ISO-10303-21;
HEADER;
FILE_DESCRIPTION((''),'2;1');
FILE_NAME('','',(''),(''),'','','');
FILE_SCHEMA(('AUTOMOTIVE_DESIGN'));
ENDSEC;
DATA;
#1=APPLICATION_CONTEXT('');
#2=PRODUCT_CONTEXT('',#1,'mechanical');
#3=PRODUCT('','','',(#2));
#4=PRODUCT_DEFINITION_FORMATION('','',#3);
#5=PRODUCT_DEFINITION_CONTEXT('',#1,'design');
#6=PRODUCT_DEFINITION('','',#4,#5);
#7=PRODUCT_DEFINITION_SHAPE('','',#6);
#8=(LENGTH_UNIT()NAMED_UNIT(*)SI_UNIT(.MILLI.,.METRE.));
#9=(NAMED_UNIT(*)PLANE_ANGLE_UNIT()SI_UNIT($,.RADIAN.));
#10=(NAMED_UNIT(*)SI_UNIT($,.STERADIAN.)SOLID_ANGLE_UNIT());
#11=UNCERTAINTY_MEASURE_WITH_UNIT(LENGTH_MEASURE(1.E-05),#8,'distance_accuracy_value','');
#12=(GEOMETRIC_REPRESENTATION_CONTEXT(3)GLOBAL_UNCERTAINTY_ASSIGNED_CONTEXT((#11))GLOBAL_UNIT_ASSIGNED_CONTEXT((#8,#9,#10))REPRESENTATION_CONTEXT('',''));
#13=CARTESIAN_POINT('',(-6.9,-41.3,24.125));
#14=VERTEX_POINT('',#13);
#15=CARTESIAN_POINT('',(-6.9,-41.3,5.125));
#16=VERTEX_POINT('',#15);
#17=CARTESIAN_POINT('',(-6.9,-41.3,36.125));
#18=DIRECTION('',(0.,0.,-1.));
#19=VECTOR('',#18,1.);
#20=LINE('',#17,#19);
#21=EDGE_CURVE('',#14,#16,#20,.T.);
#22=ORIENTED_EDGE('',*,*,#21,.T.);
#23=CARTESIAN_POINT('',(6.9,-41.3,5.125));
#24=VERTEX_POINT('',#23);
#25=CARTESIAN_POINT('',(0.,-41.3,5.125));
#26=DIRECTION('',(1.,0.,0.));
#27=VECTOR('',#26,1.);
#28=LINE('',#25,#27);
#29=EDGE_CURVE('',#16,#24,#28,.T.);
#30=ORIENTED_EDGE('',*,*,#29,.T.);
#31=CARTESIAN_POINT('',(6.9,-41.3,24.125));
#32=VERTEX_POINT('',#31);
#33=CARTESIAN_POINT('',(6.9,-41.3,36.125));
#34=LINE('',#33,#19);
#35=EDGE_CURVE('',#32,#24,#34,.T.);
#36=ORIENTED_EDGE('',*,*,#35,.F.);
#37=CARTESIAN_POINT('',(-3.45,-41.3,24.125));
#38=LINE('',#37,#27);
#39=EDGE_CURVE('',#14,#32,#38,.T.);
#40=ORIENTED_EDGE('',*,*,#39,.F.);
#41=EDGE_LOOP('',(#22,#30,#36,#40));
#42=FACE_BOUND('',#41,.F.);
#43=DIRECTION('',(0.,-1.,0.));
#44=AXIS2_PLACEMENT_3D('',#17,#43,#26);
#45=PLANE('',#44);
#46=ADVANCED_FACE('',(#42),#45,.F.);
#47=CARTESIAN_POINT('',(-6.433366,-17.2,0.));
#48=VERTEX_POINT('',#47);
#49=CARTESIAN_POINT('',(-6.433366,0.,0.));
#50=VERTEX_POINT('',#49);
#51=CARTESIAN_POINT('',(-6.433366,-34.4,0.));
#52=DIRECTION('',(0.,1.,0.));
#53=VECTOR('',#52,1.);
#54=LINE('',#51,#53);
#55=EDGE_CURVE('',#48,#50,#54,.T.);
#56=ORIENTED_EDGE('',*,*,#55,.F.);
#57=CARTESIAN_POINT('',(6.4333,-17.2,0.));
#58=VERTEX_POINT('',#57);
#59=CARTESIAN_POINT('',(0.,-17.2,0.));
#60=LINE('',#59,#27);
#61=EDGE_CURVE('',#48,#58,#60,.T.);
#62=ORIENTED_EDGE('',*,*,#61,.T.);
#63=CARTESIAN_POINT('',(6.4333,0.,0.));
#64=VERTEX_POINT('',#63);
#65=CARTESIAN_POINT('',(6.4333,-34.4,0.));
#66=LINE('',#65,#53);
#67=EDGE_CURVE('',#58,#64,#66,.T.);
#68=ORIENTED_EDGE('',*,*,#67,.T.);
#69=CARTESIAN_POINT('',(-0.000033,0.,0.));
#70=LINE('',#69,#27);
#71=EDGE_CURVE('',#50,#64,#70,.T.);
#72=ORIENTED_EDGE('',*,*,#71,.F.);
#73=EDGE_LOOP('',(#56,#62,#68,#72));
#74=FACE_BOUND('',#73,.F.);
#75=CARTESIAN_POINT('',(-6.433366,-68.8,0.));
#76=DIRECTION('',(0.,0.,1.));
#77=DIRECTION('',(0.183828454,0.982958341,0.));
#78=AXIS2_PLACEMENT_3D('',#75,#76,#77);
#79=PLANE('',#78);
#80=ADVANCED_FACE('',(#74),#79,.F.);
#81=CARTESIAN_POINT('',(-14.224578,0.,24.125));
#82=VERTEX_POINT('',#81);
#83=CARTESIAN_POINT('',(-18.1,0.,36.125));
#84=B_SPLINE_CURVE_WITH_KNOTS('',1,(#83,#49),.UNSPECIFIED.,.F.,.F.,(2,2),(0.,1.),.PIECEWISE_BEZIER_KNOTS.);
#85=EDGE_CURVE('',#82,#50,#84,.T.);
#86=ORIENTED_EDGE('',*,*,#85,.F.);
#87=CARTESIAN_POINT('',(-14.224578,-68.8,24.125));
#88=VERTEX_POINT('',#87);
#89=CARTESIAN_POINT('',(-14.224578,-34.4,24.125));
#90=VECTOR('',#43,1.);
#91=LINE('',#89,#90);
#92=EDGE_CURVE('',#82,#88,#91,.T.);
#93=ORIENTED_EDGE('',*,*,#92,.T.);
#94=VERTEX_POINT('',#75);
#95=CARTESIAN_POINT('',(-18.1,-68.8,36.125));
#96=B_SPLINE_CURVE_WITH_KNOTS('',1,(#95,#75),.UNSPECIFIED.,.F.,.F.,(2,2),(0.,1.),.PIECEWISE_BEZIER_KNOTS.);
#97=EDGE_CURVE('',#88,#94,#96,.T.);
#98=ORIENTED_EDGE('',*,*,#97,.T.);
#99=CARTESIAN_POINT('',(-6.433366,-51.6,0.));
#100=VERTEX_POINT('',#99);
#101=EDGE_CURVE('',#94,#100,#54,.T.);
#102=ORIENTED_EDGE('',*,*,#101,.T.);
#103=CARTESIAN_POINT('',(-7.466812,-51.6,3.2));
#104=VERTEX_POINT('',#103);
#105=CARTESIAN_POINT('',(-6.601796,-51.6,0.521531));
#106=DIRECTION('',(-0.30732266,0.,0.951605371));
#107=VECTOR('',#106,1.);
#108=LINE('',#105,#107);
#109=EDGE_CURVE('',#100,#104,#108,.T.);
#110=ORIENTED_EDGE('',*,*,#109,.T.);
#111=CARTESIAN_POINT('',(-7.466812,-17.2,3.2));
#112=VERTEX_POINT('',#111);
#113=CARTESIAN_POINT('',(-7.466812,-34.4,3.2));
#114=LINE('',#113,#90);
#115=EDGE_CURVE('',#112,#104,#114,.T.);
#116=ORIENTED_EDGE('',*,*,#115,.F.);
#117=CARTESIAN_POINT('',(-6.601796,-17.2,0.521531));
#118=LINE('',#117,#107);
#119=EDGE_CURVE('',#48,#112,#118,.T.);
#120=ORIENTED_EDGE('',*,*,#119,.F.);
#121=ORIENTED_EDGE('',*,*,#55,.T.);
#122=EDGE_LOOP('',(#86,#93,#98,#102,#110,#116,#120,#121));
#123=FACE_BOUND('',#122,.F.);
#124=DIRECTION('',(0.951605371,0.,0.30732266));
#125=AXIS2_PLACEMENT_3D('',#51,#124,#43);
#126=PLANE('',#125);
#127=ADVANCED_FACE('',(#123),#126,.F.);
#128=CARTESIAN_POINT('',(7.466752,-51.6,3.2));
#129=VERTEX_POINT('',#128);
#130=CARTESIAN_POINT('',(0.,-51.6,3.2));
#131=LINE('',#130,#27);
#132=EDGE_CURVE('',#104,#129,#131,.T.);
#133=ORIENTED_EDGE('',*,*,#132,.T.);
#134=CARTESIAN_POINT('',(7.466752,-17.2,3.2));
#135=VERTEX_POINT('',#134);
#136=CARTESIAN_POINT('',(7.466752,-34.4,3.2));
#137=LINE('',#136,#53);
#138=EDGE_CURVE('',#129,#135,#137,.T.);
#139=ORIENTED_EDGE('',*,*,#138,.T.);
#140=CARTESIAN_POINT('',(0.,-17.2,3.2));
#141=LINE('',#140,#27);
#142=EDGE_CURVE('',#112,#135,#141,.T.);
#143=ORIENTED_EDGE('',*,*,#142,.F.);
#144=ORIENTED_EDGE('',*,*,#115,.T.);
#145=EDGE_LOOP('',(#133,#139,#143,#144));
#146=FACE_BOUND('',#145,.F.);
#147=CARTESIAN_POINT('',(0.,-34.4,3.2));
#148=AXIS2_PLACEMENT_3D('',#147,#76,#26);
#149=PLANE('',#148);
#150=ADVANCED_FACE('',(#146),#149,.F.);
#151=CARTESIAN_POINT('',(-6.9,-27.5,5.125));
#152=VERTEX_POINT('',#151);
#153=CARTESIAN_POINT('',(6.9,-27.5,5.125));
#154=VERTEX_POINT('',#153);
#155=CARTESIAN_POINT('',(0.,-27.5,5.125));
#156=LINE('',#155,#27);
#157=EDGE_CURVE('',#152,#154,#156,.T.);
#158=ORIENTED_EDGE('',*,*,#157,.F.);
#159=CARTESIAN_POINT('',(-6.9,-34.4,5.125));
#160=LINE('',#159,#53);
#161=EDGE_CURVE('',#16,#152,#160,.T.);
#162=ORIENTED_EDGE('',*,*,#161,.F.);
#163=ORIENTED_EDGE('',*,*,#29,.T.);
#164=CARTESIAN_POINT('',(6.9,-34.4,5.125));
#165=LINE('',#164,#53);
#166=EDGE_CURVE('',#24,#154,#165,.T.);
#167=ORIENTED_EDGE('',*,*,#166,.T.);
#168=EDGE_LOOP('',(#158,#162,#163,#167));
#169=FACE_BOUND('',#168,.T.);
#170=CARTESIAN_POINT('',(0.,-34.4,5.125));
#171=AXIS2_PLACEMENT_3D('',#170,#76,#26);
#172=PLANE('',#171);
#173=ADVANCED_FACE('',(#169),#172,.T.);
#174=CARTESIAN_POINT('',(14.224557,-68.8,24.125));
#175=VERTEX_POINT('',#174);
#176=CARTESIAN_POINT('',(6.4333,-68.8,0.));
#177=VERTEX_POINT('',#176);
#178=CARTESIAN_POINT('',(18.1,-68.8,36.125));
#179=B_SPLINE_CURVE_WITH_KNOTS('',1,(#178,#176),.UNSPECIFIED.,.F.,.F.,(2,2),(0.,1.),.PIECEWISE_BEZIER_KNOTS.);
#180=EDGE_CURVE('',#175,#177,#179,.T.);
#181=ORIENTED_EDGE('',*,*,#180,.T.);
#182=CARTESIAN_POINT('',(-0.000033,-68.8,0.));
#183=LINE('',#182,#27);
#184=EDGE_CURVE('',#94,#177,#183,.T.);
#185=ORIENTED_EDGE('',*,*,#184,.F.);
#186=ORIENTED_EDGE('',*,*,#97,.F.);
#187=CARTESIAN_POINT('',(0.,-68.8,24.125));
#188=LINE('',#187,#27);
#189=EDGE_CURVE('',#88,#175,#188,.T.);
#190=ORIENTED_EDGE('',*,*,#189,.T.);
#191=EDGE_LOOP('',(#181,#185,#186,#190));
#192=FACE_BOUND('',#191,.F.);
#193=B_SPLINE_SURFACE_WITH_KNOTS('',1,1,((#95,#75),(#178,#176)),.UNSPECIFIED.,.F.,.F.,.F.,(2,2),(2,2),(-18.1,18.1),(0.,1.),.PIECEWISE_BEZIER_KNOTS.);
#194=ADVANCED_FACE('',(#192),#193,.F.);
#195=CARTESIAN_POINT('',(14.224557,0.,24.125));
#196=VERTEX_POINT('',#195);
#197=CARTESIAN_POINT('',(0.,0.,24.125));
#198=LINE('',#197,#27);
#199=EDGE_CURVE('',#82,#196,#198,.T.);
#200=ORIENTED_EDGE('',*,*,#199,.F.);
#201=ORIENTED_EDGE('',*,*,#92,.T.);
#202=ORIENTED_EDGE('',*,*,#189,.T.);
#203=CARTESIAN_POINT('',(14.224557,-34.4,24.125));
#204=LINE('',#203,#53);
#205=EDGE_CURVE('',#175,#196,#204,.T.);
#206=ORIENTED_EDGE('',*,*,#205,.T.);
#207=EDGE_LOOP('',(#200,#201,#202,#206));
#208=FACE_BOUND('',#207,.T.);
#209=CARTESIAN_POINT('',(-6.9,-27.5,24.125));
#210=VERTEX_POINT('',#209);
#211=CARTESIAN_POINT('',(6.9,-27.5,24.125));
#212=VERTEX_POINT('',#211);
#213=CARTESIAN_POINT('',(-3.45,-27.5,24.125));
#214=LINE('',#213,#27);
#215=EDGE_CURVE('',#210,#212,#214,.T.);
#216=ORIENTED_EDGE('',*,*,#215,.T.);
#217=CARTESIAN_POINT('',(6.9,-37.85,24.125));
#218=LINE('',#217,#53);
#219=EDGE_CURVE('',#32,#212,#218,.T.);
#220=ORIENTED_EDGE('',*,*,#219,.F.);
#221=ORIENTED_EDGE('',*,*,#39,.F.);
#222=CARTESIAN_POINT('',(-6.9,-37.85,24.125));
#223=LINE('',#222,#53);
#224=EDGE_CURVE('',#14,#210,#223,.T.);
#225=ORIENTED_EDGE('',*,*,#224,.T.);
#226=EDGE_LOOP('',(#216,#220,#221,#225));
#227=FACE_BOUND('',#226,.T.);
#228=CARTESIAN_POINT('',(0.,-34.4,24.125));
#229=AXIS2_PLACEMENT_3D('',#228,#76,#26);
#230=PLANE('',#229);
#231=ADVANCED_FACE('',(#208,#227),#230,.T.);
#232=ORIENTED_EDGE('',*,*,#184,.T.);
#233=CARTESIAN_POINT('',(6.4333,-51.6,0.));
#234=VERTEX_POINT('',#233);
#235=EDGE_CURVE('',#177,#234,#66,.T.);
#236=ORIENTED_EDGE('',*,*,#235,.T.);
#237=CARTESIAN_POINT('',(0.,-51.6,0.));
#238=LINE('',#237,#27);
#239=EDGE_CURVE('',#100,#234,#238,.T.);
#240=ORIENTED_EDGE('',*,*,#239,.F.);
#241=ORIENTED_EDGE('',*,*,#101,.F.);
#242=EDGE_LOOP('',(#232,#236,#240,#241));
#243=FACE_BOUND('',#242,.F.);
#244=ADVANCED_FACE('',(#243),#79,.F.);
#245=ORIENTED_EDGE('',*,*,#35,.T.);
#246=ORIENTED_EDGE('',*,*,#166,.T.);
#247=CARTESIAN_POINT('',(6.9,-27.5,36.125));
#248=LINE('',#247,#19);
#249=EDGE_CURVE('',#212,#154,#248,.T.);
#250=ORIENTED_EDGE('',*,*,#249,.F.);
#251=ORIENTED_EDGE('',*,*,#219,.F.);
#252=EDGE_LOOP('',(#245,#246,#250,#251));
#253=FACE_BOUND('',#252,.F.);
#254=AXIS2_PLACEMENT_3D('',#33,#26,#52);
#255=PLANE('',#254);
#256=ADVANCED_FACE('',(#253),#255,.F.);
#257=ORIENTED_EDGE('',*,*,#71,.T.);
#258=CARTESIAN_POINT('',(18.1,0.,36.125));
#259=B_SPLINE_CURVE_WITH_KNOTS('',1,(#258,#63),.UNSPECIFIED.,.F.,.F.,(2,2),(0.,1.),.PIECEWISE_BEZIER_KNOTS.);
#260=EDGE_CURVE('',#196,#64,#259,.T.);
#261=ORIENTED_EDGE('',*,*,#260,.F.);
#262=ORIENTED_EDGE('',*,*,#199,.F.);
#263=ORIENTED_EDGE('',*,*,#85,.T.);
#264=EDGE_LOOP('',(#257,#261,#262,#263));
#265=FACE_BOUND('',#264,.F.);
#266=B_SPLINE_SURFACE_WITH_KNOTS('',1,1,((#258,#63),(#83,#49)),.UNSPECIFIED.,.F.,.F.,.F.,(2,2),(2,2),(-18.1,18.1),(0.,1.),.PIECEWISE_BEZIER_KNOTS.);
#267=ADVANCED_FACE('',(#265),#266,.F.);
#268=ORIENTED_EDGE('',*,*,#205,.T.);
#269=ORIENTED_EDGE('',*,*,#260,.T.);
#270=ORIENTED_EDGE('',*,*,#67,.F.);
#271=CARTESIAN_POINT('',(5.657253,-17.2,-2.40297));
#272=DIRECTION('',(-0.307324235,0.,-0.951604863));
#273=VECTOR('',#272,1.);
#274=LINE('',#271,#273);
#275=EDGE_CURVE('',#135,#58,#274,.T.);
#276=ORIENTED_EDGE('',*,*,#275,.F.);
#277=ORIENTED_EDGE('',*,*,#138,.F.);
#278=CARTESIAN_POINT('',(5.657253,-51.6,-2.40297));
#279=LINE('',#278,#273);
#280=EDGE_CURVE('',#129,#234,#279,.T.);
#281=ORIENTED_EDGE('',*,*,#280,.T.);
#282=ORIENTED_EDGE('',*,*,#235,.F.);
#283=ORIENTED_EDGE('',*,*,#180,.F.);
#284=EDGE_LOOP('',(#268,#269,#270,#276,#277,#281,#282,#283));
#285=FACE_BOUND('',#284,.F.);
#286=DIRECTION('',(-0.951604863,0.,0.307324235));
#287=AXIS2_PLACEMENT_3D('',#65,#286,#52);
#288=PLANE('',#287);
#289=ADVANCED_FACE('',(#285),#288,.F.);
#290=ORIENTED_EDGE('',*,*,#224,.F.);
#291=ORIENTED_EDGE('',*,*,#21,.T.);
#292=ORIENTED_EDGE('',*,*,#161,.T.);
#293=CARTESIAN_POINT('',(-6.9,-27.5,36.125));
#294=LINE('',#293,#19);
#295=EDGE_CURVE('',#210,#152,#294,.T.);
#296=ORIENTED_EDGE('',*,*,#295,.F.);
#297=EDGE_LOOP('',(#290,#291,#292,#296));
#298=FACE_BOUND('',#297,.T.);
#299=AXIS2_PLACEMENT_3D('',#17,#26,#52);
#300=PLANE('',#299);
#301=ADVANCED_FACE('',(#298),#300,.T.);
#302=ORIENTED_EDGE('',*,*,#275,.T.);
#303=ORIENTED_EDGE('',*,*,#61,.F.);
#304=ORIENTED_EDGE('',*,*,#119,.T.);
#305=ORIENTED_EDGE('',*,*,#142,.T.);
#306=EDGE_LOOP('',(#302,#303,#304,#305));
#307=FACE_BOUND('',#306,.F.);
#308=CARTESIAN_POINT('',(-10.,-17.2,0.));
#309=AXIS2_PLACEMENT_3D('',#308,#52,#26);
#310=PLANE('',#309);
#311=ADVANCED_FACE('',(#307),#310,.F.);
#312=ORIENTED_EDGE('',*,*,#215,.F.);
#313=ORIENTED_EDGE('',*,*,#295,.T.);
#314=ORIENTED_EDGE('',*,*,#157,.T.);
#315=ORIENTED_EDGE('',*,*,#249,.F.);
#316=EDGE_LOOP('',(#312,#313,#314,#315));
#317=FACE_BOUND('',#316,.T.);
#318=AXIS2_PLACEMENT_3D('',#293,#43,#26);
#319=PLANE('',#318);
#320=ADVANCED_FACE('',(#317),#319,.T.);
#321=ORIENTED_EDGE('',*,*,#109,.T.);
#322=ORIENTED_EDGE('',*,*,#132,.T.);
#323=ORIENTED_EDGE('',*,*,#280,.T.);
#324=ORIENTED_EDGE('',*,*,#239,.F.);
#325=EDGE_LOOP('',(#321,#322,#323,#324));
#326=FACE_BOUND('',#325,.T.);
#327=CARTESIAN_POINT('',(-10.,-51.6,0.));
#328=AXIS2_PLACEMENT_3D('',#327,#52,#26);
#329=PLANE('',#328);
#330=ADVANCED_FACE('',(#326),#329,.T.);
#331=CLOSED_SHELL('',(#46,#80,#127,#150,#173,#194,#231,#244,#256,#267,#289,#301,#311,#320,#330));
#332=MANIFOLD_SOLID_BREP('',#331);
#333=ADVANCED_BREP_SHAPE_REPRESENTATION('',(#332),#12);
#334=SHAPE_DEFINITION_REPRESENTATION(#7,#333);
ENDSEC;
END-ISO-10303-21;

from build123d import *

# Parameters (mm, degrees)
F1_W      = 36.2
F1_H      = 68.8
F2_W      = 12.866667
F2_H      = 68.8
F3_FACE_W = 36.2
F3_FACE_H = 68.8
F4_DEPTH  = 12
F5_W      = 13.8
F5_H      = 13.8
F6_DEPTH  = 31
F7_W      = 20
F7_H      = 34.4
F8_DEPTH  = 3.2


with BuildPart() as f3:
    # F1 (on offset) → F3 section 0
    with BuildSketch(Plane.XY.offset(36.125)):
        with Locations((0, -34.4)):
            Rectangle(F1_W, F1_H)
    # F2 (on Top) → F3 section 1
    with BuildSketch(Plane.XY):
        with Locations((-3.3e-05, -34.4)):
            Rectangle(F2_W, F2_H)
    loft()

    # F3_face (on face) → F4 (cut)
    with BuildSketch(Plane(origin=(0, -34.4, 36.125), x_dir=(1, 0, 0), z_dir=(0, 0, 1))):
        Rectangle(F3_FACE_W, F3_FACE_H)
    extrude(amount=-F4_DEPTH, mode=Mode.SUBTRACT)

    # F5 (on offset) → F6 (cut)
    with BuildSketch(Plane.XY.offset(36.125)):
        with Locations((0, -34.4)):
            Rectangle(F5_W, F5_H)
    extrude(amount=-F6_DEPTH, mode=Mode.SUBTRACT)

    # F7 (on Top) → F8 (cut)
    with BuildSketch(Plane.XY):
        with Locations((0, -34.4)):
            Rectangle(F7_W, F7_H)
    extrude(amount=F8_DEPTH, mode=Mode.SUBTRACT)


solid = f3.part
